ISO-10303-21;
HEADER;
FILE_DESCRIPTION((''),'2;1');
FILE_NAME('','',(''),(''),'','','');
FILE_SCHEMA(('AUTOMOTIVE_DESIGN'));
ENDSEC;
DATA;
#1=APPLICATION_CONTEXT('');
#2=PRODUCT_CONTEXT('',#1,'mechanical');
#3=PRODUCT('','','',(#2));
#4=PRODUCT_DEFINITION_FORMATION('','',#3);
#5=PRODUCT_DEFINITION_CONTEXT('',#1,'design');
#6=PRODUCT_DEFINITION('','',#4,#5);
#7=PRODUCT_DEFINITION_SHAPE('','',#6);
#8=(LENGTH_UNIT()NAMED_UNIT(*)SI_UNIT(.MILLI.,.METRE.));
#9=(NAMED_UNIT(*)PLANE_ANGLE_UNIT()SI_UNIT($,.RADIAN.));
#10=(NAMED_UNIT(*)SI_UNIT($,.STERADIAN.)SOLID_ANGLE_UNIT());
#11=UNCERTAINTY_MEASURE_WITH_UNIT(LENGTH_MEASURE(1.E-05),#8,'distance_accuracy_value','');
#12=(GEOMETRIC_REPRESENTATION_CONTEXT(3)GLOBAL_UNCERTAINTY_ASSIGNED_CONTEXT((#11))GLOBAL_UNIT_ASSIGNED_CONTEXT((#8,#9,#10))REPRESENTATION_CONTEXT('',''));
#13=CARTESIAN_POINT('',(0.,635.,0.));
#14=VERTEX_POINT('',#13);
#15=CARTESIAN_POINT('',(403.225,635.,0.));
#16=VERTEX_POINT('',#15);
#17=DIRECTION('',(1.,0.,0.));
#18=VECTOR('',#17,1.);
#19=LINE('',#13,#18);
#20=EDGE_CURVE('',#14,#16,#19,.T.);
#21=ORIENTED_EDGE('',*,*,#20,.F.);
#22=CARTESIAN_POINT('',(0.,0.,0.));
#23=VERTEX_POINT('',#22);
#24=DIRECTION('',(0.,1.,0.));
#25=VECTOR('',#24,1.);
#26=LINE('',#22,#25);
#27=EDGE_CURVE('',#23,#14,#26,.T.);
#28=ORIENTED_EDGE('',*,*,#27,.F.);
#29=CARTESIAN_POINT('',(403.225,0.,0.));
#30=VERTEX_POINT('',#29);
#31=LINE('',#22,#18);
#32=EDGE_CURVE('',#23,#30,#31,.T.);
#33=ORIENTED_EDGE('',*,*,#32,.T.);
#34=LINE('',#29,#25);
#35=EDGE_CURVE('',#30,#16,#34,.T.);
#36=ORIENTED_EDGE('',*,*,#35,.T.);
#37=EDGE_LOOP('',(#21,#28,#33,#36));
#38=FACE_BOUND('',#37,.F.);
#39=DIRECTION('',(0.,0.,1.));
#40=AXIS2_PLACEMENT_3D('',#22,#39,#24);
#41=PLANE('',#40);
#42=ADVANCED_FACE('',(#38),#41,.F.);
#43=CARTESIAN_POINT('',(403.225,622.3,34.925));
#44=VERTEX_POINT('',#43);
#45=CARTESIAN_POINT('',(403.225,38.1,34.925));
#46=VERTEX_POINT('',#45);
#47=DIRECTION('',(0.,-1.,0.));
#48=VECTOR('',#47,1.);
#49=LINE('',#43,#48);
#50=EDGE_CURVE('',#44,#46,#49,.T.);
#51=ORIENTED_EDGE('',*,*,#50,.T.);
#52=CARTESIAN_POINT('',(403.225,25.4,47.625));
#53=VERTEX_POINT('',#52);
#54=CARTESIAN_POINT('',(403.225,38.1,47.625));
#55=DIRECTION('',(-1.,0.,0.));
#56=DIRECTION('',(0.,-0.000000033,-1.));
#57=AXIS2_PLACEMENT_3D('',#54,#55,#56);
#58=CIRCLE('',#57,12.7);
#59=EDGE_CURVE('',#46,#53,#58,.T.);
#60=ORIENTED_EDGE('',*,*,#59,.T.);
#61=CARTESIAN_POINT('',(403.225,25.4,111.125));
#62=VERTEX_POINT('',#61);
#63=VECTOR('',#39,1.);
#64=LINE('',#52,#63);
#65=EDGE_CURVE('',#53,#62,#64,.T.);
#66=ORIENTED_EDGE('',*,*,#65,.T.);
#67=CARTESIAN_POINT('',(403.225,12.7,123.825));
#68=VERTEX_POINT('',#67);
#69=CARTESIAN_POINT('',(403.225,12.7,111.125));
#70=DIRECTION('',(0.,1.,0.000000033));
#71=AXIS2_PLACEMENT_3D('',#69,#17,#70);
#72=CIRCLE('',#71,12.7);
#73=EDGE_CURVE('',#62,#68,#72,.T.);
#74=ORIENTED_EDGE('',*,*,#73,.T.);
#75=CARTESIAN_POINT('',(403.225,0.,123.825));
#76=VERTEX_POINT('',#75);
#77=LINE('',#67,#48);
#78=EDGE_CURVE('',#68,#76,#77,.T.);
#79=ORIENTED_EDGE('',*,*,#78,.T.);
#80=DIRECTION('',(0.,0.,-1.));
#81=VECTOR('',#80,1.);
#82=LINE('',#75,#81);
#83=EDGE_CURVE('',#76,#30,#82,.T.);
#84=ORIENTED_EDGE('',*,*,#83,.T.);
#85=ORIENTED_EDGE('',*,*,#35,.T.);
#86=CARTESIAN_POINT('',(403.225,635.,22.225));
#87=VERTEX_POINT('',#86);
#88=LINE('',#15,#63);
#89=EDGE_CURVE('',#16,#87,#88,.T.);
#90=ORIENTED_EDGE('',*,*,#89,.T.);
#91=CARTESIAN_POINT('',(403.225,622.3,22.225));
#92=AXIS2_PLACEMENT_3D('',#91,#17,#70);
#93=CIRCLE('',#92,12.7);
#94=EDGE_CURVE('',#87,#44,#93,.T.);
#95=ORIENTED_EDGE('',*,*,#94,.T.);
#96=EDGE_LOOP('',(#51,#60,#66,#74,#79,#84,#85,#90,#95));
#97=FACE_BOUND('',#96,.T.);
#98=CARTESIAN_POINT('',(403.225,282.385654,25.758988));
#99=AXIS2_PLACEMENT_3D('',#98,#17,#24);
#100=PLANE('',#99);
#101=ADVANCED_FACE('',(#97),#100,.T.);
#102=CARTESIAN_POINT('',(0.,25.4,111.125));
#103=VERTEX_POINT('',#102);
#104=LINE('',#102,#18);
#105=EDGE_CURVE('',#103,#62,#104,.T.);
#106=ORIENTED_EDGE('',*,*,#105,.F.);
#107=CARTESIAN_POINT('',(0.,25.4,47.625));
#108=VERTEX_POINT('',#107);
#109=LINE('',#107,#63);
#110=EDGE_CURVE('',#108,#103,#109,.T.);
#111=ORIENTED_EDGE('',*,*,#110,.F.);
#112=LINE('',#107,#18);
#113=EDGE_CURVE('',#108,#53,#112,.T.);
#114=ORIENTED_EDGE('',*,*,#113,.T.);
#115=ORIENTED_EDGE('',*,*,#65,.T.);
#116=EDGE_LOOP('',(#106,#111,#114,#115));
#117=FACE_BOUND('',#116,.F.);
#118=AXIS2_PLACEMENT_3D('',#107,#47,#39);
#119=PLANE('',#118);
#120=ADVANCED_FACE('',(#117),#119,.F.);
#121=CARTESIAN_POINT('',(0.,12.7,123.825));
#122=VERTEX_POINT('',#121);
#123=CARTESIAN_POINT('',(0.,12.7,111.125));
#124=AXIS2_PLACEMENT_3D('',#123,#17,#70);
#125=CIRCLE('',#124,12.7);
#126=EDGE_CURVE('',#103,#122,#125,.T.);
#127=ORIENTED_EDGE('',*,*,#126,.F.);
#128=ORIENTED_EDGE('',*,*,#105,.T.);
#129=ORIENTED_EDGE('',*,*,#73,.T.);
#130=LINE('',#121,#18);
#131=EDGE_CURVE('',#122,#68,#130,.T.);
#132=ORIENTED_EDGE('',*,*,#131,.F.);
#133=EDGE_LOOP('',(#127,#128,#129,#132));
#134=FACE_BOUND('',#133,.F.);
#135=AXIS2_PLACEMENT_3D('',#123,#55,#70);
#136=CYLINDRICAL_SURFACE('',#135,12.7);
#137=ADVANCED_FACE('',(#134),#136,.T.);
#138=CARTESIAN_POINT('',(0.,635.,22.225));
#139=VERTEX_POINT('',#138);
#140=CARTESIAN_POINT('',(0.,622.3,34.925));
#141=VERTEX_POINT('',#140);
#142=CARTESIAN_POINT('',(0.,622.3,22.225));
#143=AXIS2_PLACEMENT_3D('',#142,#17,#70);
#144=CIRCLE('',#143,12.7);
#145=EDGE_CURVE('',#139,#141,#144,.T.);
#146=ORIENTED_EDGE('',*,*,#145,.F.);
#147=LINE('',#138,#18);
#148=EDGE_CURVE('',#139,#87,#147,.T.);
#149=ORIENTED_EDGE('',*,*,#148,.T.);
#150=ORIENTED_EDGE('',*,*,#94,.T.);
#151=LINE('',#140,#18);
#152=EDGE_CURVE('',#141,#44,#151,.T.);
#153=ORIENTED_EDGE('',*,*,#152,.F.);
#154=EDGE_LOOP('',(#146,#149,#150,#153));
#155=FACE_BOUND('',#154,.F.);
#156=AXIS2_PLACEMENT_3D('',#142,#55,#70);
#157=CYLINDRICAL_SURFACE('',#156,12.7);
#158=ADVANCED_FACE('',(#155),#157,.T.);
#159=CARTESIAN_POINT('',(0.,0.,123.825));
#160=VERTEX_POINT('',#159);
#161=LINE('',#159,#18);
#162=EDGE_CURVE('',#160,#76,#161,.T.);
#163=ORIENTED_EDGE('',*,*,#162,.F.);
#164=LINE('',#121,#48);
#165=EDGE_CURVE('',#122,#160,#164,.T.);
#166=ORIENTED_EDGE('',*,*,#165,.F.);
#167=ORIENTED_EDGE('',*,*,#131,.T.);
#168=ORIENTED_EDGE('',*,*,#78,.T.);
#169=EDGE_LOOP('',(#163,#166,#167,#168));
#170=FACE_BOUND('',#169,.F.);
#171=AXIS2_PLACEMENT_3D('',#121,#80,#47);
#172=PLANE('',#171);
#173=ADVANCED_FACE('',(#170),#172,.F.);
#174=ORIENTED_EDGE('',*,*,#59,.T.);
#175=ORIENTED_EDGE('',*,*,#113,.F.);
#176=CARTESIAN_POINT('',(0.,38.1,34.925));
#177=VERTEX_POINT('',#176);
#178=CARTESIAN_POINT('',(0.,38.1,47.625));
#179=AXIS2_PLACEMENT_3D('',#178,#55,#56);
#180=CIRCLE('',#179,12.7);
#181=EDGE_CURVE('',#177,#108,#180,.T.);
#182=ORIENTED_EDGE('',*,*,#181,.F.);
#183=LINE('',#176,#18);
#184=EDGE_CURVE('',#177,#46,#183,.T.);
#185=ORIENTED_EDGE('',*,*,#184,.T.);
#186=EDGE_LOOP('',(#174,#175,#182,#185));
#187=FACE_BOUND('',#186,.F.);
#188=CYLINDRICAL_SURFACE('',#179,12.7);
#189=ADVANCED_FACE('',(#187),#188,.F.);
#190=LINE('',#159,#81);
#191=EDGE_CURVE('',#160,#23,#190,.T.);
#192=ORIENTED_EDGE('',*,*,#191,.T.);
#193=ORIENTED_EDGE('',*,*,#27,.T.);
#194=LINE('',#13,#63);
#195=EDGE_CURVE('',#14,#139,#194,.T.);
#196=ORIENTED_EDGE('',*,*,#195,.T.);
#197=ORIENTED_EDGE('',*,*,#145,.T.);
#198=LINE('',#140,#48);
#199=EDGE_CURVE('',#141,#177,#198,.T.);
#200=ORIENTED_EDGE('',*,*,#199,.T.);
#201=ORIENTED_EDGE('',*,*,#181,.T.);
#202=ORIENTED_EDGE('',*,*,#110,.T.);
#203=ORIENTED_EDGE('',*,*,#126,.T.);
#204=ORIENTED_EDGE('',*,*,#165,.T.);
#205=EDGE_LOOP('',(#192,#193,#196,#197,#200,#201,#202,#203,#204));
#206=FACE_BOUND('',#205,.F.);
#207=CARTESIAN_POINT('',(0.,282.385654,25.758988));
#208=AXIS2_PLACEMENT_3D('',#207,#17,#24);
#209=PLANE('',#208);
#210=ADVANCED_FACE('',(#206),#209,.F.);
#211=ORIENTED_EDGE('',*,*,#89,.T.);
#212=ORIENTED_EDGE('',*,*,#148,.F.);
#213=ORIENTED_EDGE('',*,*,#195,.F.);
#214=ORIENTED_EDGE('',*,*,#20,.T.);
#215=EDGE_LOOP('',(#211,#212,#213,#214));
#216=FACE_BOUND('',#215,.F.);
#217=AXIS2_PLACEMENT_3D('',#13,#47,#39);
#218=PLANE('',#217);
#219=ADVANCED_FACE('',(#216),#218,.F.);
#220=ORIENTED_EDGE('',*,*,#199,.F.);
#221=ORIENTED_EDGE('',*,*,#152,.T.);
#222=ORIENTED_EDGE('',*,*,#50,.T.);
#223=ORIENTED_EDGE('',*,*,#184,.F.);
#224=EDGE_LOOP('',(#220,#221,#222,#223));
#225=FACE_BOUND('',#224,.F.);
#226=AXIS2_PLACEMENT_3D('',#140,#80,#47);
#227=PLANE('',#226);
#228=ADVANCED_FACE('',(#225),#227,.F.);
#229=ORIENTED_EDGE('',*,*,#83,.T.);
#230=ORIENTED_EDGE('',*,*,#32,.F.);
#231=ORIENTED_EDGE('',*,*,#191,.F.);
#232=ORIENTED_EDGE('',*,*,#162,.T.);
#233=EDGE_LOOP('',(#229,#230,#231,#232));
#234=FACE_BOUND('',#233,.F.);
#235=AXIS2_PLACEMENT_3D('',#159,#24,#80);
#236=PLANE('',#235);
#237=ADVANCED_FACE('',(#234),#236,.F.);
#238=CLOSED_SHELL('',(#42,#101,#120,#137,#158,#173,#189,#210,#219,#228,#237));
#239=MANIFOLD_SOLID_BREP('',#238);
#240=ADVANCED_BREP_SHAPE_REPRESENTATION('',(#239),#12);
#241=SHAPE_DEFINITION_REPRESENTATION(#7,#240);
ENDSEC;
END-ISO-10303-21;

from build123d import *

# Parameters (mm, degrees)
F1_DEPTH = 403.225


with BuildPart() as f1:
    # F0 (on Right) → F1 (new body)
    with BuildSketch(Plane.YZ):
        with BuildLine():
            Line((0, 123.825), (0, 0))
            Line((0, 0), (635, 0))
            Line((635, 0), (635, 22.225))
            ThreePointArc((635, 22.225), (631.280256, 31.205256), (622.3, 34.925))
            Line((622.3, 34.925), (38.1, 34.925))
            ThreePointArc((38.1, 34.925), (29.119744, 38.644744), (25.4, 47.625))
            Line((25.4, 47.625), (25.4, 111.125))
            ThreePointArc((25.4, 111.125), (21.680256, 120.105256), (12.7, 123.825))
            Line((12.7, 123.825), (0, 123.825))
        make_face()
    extrude(amount=F1_DEPTH)


solid = f1.part
